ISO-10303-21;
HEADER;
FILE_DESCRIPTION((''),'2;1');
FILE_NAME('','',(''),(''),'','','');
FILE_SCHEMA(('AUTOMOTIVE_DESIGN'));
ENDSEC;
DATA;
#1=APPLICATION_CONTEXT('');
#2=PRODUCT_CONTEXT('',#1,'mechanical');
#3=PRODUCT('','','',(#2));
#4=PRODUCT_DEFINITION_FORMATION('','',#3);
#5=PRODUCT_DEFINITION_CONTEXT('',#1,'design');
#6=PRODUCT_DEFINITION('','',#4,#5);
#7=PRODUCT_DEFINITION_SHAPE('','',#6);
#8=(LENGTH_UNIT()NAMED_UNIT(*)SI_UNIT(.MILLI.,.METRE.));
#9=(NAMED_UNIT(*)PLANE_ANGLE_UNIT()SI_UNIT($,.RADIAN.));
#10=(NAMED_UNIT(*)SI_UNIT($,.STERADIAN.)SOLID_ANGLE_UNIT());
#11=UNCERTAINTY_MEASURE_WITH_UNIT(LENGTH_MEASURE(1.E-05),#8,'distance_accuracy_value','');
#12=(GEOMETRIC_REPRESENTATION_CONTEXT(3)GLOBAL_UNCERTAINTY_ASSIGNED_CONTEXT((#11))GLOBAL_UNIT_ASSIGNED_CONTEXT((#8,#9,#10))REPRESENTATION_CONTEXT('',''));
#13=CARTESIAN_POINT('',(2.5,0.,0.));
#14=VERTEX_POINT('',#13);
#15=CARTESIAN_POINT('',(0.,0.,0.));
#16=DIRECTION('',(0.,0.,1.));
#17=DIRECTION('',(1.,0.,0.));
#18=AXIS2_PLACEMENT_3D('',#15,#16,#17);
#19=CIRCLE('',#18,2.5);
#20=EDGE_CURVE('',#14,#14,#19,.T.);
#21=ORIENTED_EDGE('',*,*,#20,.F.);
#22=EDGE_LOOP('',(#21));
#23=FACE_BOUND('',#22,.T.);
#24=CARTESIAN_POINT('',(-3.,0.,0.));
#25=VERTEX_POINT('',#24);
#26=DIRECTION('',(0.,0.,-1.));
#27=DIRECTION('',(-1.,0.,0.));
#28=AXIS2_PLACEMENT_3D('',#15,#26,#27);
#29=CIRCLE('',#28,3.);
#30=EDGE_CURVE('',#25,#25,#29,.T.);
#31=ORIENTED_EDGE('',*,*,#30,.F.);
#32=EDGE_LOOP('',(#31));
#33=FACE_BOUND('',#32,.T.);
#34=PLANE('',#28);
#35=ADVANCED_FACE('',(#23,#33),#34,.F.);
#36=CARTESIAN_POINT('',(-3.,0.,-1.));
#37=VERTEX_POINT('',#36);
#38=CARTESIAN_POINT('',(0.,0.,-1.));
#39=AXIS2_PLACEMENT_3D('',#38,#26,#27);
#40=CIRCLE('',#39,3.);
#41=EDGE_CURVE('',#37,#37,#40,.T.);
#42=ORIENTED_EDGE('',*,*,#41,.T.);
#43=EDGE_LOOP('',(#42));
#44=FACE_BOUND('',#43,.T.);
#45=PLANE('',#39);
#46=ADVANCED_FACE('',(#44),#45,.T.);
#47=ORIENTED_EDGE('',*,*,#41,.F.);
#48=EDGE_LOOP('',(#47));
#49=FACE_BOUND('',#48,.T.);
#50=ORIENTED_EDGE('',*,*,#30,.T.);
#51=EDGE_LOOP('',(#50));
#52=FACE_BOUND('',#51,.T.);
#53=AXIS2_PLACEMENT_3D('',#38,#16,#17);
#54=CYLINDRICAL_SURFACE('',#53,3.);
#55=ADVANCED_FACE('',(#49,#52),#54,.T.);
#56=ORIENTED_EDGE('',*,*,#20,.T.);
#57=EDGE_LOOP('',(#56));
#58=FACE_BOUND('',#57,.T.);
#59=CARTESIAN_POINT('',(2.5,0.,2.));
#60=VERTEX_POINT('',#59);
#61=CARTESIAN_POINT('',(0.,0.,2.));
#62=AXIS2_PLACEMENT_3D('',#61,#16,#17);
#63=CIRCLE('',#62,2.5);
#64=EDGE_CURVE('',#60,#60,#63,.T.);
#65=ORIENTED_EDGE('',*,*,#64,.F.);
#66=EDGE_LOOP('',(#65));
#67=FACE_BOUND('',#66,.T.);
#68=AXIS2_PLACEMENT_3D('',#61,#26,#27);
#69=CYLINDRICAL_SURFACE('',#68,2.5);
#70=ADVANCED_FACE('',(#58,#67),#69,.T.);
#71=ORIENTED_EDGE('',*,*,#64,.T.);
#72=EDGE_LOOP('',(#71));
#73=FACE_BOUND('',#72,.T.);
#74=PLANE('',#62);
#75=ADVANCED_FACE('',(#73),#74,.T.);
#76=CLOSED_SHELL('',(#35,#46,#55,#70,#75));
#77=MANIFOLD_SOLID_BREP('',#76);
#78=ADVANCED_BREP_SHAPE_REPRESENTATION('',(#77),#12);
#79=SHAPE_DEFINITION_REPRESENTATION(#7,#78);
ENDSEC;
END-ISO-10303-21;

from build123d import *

# Parameters (mm, degrees)
SKETCH_1_R      = 2.5
EXTRUDE_1_DEPTH = 2
SKETCH_2_R      = 3
EXTRUDE_2_DEPTH = 1


with BuildPart() as part:
    # 草图1 → 凸台-拉伸1 (new body)
    with BuildSketch(Plane.XY):
        Circle(SKETCH_1_R)
    extrude(amount=EXTRUDE_1_DEPTH)

    # 草图2 → 凸台-拉伸2 (add)
    with BuildSketch(Plane(origin=(0, 0, 0), x_dir=(-1, 0, 0), z_dir=(0, 0, -1))):
        Circle(SKETCH_2_R)
    extrude(amount=EXTRUDE_2_DEPTH)


solid = part.part
